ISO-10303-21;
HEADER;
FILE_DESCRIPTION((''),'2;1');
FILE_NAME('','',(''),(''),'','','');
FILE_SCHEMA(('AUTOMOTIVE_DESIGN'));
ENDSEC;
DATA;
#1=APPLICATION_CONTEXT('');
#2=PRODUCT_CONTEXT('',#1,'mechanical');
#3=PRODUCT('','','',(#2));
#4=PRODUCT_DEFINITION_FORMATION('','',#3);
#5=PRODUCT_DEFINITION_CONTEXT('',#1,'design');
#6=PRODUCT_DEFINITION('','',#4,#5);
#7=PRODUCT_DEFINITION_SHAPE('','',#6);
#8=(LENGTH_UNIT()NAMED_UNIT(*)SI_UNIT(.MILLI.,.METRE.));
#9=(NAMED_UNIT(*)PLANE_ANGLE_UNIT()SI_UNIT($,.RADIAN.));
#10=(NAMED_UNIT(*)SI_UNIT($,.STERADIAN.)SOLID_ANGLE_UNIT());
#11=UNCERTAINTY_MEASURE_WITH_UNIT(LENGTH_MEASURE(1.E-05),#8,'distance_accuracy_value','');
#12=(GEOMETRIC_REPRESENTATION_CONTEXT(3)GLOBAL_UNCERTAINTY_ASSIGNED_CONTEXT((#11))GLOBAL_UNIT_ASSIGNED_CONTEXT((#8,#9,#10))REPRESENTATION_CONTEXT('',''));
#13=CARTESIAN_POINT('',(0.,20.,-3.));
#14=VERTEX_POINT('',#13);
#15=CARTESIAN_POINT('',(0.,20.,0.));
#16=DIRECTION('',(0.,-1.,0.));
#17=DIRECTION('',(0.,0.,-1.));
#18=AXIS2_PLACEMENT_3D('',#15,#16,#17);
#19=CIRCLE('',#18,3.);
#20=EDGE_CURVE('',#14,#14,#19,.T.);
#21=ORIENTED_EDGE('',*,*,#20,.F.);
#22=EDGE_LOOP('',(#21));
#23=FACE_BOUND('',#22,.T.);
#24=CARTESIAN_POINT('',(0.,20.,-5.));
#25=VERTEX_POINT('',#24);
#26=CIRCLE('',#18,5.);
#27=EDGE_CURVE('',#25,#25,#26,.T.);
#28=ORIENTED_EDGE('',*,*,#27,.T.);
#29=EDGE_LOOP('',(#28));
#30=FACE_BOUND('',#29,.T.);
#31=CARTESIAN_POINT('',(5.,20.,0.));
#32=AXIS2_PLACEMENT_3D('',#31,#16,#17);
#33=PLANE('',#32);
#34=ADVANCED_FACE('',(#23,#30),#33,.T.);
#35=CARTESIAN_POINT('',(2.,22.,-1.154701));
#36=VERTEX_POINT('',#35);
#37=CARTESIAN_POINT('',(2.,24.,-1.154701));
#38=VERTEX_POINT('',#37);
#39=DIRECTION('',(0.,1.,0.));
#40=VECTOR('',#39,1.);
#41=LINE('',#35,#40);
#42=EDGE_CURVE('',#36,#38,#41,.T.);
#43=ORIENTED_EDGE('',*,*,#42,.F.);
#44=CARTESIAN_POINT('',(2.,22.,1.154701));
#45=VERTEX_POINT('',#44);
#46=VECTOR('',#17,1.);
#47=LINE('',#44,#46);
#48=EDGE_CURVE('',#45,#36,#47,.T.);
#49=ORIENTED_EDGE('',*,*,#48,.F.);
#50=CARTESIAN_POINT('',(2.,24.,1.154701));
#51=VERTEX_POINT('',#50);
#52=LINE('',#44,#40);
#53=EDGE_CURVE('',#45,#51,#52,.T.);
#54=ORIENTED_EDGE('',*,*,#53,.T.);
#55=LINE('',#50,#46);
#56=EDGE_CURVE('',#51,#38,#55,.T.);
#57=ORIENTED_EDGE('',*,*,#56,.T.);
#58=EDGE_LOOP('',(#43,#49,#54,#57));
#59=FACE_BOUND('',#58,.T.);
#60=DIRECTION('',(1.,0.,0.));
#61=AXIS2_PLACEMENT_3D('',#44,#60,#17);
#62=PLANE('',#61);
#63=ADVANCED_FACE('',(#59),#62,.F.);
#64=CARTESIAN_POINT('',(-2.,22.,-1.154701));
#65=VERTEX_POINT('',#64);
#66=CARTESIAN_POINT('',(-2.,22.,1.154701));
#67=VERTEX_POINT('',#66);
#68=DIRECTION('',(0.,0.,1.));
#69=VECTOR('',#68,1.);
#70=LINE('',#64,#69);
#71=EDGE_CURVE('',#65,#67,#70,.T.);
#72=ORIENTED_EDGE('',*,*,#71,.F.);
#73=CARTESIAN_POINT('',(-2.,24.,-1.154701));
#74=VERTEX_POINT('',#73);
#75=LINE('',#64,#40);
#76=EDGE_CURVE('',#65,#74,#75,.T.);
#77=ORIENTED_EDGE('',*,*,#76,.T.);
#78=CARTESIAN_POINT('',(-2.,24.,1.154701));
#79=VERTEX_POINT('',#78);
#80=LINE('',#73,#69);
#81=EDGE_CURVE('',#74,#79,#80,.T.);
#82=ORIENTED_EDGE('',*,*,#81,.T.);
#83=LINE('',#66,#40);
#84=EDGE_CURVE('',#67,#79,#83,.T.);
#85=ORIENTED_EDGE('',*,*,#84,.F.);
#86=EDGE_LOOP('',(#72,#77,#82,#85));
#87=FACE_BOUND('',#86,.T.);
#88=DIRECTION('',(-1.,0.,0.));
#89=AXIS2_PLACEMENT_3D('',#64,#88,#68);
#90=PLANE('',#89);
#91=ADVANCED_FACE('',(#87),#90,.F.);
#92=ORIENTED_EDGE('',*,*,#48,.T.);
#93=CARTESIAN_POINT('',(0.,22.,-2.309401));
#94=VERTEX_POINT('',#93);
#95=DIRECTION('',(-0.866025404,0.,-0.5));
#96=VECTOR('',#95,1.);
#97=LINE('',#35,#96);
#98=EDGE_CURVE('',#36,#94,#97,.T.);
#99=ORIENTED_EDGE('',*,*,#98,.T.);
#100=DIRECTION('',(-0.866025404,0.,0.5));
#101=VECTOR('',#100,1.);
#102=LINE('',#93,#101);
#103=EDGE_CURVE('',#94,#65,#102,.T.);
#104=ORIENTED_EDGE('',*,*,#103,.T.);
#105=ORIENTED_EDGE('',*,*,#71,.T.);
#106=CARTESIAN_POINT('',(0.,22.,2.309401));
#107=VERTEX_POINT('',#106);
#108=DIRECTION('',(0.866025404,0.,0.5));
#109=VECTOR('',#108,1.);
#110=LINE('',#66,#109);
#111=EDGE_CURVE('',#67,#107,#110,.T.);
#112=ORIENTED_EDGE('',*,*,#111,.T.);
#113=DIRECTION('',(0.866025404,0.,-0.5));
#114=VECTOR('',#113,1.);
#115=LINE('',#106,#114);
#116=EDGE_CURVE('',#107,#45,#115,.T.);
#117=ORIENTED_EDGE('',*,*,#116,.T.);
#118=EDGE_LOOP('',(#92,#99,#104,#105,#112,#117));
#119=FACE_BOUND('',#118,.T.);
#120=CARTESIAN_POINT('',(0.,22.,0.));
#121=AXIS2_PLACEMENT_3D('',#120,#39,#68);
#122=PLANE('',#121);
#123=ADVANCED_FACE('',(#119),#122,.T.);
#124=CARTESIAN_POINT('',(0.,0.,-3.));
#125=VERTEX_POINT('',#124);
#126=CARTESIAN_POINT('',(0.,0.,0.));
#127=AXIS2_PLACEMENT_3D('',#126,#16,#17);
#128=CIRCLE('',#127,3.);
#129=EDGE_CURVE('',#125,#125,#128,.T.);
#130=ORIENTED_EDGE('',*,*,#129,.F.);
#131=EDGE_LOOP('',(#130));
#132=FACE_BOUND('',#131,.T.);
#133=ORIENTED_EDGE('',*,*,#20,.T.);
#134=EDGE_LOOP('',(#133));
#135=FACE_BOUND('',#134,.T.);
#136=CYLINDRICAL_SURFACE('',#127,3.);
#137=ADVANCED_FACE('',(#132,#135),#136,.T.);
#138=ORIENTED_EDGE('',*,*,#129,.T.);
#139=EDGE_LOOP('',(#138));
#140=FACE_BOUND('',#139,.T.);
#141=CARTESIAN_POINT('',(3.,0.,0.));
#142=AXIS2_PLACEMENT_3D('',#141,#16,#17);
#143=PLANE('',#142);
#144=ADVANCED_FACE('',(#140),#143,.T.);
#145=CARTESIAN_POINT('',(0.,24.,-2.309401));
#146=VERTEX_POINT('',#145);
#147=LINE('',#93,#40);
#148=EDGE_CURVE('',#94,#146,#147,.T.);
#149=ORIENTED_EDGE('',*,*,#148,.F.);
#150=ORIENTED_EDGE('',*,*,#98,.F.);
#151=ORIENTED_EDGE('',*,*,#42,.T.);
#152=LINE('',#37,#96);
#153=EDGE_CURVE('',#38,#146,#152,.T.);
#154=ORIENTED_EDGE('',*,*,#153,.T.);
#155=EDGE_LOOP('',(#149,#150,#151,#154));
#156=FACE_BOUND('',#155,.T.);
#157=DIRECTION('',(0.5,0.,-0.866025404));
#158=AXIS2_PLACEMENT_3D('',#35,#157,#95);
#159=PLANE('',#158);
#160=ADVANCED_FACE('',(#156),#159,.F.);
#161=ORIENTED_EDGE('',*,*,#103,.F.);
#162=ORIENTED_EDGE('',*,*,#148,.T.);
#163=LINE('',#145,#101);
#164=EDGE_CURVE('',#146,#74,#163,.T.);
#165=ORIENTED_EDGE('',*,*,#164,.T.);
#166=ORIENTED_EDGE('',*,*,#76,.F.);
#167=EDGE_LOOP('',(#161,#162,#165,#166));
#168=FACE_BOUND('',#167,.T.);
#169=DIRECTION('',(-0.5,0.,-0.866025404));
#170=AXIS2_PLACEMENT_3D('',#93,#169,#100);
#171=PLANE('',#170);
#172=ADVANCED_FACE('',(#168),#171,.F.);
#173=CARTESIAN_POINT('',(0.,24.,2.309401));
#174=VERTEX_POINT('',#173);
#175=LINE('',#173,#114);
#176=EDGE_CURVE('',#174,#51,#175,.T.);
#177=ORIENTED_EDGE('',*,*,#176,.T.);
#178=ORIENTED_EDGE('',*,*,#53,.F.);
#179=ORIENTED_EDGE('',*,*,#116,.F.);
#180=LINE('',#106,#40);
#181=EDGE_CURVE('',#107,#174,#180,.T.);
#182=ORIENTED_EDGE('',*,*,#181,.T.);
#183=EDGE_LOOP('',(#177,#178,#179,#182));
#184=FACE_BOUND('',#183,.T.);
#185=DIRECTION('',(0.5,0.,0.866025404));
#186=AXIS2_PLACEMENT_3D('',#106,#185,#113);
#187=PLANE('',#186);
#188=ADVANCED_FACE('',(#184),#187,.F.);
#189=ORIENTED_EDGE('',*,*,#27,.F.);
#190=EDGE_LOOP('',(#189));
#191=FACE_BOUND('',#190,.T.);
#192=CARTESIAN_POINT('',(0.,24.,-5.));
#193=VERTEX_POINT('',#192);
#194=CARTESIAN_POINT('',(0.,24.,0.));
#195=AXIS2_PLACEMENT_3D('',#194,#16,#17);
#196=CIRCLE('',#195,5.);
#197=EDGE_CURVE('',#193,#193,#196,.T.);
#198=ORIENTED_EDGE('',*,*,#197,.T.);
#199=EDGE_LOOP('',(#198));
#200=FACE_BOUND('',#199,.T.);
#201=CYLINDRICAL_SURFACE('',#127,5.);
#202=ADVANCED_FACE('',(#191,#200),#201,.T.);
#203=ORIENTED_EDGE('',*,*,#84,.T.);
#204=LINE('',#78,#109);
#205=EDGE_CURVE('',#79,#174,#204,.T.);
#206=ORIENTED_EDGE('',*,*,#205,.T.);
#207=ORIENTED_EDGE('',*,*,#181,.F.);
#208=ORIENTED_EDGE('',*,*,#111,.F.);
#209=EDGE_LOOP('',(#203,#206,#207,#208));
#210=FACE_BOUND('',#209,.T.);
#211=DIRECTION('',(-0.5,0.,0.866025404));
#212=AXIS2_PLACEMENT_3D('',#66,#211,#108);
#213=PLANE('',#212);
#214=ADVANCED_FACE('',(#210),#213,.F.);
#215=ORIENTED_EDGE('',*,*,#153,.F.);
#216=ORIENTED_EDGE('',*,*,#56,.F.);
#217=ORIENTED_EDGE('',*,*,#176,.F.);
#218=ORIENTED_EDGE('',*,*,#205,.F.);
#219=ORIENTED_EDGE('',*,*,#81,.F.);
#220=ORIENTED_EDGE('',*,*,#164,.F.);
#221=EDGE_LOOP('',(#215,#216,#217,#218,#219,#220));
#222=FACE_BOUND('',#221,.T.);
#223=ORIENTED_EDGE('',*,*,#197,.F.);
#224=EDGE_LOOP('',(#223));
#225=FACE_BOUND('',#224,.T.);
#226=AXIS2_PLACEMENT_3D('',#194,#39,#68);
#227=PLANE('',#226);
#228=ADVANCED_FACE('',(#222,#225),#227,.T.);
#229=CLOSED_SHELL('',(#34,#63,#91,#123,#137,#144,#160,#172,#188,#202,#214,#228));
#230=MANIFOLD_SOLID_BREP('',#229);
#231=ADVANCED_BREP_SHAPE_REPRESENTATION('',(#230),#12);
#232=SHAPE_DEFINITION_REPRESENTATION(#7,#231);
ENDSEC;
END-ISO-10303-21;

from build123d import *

# Parameters (mm, degrees)
CUT_EXTRUDE1_DEPTH = 2


with BuildPart() as part:
    # Sketch1 → Revolve1 (revolve)
    with BuildSketch(Plane.XY, mode=Mode.PRIVATE) as revolve1_sk:
        Polygon((0, 0), (0, 24), (5, 24), (5, 20), (3, 20), (3, 0), align=None)
    revolve(revolve1_sk.sketch.rotate(Axis((0, 0, 0), (0, 1, 0)), 90), axis=Axis((0, 0, 0), (0, 1, 0)))

    # Sketch2 → Cut-Extrude1 (cut)
    with BuildSketch(Plane(origin=(0, 24, 0), x_dir=(1, 0, 0), z_dir=(0, 1, 0))):
        Polygon((0, -2.309401077), (2, -1.154700538), (2, 1.154700538), (0, 2.309401077), (-2, 1.154700538), (-2, -1.154700538), align=None)
    extrude(amount=-CUT_EXTRUDE1_DEPTH, mode=Mode.SUBTRACT)


solid = part.part
